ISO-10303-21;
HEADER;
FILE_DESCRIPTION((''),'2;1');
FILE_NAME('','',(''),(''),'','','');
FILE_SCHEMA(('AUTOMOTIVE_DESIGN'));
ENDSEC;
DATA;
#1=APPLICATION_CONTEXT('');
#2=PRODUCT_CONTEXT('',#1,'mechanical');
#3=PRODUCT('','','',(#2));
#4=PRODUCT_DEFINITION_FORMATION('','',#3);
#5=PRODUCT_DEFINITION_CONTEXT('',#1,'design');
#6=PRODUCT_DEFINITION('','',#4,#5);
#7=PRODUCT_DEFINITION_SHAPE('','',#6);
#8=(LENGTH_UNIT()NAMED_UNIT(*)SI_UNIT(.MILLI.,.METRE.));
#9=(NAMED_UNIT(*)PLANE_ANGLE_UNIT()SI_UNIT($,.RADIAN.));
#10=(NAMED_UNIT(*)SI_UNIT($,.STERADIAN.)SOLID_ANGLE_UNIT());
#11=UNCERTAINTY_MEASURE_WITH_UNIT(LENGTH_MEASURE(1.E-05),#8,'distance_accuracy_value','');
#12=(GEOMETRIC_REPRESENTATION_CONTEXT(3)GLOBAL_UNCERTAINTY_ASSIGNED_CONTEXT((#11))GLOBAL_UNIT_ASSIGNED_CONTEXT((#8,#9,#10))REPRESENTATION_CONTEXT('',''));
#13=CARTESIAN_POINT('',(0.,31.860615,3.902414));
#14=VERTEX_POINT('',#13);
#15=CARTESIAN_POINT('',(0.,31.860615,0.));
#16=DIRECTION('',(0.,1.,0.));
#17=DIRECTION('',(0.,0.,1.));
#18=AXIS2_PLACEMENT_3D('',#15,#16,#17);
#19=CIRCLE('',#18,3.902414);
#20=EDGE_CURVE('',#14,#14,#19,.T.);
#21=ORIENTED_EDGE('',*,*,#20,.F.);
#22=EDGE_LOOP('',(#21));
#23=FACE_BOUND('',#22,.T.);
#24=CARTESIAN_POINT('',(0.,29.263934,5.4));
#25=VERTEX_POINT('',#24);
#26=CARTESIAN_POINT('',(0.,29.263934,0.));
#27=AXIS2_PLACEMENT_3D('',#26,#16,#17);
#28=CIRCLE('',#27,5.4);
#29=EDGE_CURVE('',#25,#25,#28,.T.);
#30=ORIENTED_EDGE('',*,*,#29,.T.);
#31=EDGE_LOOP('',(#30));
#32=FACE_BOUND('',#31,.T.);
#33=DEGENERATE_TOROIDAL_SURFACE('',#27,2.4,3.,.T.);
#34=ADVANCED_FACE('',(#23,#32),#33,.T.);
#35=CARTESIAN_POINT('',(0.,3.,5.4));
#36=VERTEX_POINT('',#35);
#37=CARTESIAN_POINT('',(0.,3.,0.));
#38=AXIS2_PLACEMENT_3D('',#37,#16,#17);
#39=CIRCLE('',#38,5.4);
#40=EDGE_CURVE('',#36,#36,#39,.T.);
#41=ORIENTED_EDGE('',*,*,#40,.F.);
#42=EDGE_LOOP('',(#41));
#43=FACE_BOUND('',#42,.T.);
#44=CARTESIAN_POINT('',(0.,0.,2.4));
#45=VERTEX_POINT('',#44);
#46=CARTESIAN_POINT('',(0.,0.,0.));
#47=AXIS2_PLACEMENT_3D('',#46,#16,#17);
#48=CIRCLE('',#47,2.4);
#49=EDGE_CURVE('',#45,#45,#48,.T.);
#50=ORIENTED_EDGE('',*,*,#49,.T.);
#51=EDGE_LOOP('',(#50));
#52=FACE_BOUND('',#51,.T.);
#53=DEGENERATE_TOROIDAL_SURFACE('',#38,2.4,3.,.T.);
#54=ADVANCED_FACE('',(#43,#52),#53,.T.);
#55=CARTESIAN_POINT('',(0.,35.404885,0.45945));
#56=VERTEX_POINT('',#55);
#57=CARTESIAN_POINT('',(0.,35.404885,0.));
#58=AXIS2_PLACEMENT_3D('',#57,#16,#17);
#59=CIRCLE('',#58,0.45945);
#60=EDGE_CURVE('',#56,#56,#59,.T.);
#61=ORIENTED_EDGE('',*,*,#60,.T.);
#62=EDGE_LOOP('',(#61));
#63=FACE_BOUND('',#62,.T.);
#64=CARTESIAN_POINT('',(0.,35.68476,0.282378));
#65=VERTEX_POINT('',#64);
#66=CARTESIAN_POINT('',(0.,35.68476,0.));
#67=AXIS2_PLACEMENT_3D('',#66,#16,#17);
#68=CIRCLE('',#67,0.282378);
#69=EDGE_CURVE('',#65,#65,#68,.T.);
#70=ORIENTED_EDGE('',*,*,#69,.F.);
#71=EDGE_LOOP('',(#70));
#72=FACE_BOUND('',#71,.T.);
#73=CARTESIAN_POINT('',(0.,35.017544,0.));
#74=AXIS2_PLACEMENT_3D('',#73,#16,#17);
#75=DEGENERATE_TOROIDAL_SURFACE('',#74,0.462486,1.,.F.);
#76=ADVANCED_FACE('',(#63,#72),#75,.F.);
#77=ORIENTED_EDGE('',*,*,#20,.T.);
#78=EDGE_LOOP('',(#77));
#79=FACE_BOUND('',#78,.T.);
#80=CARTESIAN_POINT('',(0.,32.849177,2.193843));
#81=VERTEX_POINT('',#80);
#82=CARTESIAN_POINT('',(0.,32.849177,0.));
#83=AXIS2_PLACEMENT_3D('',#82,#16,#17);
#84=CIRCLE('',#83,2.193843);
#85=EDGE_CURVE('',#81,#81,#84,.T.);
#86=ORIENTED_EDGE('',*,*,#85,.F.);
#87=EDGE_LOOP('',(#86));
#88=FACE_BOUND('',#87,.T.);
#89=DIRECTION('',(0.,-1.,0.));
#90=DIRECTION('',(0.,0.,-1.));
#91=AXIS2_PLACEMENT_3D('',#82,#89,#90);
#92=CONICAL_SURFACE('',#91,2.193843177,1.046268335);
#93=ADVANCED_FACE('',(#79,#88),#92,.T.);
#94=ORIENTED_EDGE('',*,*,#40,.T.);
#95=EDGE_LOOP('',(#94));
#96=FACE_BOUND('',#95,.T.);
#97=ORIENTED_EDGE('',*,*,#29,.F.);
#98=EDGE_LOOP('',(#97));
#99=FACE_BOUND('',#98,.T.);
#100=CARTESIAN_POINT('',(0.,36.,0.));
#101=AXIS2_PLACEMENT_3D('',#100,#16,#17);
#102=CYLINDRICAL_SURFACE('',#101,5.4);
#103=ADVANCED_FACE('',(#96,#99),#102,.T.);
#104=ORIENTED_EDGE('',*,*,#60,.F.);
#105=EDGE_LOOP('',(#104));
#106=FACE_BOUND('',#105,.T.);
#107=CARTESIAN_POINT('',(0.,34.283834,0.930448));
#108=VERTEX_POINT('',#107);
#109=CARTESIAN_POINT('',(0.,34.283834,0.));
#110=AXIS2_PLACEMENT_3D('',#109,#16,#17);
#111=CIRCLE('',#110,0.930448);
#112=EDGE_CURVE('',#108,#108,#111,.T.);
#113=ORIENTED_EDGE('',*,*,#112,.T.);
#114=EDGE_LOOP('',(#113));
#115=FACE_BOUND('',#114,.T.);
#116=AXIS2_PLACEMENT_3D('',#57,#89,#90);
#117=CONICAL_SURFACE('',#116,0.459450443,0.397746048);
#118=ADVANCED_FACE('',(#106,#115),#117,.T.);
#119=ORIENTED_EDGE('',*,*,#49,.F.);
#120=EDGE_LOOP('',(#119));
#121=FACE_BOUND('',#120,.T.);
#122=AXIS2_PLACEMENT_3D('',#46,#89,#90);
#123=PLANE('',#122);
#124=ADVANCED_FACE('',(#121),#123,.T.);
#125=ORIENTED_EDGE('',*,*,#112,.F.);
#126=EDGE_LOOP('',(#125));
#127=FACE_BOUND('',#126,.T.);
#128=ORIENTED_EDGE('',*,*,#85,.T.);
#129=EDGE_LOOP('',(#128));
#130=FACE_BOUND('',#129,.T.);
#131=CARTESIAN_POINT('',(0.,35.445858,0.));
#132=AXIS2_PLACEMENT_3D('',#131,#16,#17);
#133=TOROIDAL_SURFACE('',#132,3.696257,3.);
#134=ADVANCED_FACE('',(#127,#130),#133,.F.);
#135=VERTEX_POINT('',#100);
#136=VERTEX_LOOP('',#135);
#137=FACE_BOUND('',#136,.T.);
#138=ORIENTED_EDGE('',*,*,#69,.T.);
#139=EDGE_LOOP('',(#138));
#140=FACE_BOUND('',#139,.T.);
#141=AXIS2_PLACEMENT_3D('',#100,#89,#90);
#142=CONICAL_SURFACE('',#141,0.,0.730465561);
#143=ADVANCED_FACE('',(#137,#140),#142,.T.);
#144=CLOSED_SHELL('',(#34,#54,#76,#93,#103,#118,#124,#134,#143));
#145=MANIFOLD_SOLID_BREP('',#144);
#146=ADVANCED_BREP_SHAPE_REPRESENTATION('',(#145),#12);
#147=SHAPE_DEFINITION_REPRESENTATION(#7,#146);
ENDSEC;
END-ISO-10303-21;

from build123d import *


with BuildPart() as part:
    # Esquisse1 → Révolution1 (revolve)
    with BuildSketch(Plane.XY):
        with BuildLine():
            Line((-3.902413526, 31.860615398), (-2.193843177, 32.849176927))
            ThreePointArc((-2.193843177, 32.849176927), (-1.444814591, 33.46318111), (-0.930447552, 34.283834209))
            Line((-0.930447552, 34.283834209), (-0.459450443, 35.40488518))
            ThreePointArc((-0.459450443, 35.40488518), (-0.382581088, 35.552204227), (-0.282377912, 35.684760339))
            Line((-0.282377912, 35.684760339), (0, 36))
            Line((0, 36), (0, 0))
            Line((0, 0), (-2.4, 0))
            ThreePointArc((-2.4, 0), (-4.521320344, 0.878679656), (-5.4, 3))
            Line((-5.4, 3), (-5.4, 29.263934132))
            ThreePointArc((-5.4, 29.263934132), (-4.998772843, 30.762726883), (-3.902413526, 31.860615398))
        make_face()
    revolve(axis=Axis((0, 36, 0), (0, -1, 0)))


solid = part.part
